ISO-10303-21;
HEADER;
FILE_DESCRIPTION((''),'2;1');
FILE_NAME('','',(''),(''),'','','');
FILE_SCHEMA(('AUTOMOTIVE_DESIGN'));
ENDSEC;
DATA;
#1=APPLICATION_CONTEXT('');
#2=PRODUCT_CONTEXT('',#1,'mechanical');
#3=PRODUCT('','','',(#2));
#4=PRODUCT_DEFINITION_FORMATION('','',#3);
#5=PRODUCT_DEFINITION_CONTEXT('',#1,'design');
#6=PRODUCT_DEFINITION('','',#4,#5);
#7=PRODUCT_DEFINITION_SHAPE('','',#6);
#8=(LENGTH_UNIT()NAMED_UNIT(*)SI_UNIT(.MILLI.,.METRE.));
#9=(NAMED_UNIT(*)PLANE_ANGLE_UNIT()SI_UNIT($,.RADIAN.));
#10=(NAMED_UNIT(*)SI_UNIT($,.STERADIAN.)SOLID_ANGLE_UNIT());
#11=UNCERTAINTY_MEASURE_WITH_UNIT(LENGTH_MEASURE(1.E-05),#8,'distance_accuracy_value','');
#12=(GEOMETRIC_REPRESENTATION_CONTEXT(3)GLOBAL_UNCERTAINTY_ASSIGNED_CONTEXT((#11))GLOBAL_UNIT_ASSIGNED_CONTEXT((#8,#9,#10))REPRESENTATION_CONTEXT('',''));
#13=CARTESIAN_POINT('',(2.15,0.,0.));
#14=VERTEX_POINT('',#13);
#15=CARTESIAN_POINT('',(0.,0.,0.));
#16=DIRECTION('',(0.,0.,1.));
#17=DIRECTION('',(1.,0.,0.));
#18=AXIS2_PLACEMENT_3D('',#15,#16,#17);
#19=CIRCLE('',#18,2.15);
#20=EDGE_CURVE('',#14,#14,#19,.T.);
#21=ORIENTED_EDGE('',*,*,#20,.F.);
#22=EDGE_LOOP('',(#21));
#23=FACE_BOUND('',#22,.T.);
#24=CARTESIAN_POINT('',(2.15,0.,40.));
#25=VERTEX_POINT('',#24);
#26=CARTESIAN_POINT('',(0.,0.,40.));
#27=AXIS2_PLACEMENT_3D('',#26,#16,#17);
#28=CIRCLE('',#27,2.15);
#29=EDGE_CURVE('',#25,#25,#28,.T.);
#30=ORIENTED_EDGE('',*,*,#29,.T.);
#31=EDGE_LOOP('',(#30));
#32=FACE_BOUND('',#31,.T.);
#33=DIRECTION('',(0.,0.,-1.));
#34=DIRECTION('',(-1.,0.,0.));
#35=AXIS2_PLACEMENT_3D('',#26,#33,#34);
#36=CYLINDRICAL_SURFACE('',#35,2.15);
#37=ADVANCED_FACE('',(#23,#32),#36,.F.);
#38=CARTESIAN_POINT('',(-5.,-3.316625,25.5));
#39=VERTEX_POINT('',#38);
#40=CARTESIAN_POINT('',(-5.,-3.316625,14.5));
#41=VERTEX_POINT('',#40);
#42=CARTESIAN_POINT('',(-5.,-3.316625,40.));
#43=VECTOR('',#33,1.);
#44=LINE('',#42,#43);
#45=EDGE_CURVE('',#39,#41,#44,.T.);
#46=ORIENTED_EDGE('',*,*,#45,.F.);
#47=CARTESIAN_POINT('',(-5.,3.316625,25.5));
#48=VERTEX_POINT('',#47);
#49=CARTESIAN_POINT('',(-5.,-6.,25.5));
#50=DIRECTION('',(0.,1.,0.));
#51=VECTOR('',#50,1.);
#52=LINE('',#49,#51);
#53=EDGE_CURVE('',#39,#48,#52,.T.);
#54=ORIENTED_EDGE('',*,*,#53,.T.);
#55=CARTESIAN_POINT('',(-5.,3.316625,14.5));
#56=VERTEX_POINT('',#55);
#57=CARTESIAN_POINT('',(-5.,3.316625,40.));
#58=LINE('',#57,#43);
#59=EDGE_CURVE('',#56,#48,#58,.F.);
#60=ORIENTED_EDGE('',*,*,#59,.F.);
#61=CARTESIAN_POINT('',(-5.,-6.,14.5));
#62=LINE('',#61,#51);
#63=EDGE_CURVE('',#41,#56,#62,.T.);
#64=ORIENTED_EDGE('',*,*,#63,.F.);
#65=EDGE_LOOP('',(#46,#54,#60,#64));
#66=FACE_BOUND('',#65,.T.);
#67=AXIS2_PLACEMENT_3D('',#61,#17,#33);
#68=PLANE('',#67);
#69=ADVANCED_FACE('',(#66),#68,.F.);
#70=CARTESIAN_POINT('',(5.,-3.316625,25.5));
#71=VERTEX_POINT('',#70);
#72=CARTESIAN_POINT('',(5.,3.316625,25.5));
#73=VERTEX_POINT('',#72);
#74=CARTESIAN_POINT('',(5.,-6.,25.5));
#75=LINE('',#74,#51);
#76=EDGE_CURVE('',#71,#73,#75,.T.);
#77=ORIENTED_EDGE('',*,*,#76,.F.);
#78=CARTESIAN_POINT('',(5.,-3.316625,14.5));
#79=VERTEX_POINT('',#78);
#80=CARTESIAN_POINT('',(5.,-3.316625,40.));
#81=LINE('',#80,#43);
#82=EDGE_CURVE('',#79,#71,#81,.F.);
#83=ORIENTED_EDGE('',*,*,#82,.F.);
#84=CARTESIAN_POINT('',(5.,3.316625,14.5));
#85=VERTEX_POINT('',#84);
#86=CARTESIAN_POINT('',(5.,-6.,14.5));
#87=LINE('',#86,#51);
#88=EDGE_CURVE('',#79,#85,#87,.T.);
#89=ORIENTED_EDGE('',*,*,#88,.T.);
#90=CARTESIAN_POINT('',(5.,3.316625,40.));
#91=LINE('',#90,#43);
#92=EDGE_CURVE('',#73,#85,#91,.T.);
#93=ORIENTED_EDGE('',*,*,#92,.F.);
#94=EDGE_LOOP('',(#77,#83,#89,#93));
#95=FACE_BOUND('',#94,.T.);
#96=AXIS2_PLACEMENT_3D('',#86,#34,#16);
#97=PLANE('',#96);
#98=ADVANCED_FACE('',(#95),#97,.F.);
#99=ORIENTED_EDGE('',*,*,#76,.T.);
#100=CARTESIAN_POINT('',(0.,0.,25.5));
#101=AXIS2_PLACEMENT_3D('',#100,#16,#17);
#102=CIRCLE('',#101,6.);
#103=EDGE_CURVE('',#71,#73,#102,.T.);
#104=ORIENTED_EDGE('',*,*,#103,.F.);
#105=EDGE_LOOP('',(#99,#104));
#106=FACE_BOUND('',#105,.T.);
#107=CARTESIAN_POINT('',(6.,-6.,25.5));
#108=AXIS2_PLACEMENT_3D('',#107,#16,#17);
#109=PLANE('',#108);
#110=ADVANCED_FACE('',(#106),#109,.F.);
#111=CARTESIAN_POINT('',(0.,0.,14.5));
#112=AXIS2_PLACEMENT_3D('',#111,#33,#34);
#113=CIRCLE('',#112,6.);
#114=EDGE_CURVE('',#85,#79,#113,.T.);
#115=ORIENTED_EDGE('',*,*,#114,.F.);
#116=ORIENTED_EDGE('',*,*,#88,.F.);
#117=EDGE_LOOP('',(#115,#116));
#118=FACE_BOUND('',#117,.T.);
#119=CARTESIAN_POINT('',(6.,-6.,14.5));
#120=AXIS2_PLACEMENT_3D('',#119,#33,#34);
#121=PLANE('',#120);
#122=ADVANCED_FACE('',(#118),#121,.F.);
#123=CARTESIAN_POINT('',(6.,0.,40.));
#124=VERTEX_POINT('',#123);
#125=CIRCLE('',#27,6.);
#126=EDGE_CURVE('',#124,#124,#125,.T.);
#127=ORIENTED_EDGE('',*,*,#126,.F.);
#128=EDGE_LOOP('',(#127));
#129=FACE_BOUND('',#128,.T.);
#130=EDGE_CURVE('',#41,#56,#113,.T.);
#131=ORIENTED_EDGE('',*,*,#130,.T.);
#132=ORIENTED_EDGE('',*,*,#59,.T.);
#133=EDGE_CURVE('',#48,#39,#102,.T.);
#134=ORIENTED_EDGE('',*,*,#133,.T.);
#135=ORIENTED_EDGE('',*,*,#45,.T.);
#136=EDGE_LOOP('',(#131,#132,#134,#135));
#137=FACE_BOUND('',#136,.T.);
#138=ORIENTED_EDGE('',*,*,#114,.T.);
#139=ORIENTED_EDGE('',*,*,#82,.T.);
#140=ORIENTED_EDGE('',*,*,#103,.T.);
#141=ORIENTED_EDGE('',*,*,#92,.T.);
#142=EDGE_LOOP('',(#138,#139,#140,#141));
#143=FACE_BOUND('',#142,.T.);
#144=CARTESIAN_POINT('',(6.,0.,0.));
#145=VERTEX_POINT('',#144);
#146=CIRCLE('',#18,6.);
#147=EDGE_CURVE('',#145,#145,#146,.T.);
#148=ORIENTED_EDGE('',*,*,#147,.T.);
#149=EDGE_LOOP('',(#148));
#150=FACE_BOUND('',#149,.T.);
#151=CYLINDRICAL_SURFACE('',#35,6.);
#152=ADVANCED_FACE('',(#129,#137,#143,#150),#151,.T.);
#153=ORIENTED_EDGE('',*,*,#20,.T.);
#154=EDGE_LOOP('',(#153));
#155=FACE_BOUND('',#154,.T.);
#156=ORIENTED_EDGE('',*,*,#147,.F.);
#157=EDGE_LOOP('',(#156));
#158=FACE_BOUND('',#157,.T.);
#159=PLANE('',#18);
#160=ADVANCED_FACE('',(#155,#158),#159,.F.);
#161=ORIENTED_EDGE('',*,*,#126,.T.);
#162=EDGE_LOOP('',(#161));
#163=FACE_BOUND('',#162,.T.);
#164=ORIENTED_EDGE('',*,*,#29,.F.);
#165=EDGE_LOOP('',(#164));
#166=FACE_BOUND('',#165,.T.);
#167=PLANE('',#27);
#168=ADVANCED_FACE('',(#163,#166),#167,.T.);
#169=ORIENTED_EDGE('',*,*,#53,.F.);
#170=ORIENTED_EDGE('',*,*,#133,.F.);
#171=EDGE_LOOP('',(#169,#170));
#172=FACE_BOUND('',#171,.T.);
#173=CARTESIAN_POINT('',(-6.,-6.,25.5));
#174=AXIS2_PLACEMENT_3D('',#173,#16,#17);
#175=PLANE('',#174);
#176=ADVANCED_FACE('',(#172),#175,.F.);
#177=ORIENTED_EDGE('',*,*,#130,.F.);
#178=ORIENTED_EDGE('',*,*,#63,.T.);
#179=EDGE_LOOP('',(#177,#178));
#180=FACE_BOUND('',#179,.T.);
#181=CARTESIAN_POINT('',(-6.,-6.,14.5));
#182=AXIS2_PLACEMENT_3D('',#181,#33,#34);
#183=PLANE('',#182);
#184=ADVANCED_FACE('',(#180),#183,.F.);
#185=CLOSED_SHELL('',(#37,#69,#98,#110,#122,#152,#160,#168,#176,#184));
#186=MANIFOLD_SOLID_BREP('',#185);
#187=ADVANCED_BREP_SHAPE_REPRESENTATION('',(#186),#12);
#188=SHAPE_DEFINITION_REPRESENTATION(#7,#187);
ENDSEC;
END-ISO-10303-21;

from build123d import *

# Parameters (mm, degrees)
SKETCH_1_R               = 6
SKETCH_1_R_2             = 2.15
EXTRUDE_1_DEPTH          = 40
CUT_EXTRUDE_1_DEPTH      = 41.890096601
CUT_EXTRUDE_1_DEPTH_BACK = 41.890096601
SKETCH_2_W               = 1
SKETCH_2_H               = 11


with BuildPart() as part:
    # Эскиз1 → Бобышка-Вытянуть1 (new body)
    with BuildSketch(Plane.XY):
        Circle(SKETCH_1_R)
        Circle(SKETCH_1_R_2, mode=Mode.SUBTRACT)
    extrude(amount=EXTRUDE_1_DEPTH)

    # Эскиз2 → Вырез-Вытянуть1 (cut, two sides: drawn at the far end of the back side and taken through both)
    with BuildSketch(Plane(origin=(0, 0, 0), x_dir=(1, 0, 0), z_dir=(0, 1, 0)).offset(-CUT_EXTRUDE_1_DEPTH_BACK)):
        with Locations((-5.5, -20)):
            Rectangle(SKETCH_2_W, SKETCH_2_H)
        with Locations((5.5, -20)):
            Rectangle(SKETCH_2_W, SKETCH_2_H)
    extrude(amount=CUT_EXTRUDE_1_DEPTH + CUT_EXTRUDE_1_DEPTH_BACK, mode=Mode.SUBTRACT)


solid = part.part
